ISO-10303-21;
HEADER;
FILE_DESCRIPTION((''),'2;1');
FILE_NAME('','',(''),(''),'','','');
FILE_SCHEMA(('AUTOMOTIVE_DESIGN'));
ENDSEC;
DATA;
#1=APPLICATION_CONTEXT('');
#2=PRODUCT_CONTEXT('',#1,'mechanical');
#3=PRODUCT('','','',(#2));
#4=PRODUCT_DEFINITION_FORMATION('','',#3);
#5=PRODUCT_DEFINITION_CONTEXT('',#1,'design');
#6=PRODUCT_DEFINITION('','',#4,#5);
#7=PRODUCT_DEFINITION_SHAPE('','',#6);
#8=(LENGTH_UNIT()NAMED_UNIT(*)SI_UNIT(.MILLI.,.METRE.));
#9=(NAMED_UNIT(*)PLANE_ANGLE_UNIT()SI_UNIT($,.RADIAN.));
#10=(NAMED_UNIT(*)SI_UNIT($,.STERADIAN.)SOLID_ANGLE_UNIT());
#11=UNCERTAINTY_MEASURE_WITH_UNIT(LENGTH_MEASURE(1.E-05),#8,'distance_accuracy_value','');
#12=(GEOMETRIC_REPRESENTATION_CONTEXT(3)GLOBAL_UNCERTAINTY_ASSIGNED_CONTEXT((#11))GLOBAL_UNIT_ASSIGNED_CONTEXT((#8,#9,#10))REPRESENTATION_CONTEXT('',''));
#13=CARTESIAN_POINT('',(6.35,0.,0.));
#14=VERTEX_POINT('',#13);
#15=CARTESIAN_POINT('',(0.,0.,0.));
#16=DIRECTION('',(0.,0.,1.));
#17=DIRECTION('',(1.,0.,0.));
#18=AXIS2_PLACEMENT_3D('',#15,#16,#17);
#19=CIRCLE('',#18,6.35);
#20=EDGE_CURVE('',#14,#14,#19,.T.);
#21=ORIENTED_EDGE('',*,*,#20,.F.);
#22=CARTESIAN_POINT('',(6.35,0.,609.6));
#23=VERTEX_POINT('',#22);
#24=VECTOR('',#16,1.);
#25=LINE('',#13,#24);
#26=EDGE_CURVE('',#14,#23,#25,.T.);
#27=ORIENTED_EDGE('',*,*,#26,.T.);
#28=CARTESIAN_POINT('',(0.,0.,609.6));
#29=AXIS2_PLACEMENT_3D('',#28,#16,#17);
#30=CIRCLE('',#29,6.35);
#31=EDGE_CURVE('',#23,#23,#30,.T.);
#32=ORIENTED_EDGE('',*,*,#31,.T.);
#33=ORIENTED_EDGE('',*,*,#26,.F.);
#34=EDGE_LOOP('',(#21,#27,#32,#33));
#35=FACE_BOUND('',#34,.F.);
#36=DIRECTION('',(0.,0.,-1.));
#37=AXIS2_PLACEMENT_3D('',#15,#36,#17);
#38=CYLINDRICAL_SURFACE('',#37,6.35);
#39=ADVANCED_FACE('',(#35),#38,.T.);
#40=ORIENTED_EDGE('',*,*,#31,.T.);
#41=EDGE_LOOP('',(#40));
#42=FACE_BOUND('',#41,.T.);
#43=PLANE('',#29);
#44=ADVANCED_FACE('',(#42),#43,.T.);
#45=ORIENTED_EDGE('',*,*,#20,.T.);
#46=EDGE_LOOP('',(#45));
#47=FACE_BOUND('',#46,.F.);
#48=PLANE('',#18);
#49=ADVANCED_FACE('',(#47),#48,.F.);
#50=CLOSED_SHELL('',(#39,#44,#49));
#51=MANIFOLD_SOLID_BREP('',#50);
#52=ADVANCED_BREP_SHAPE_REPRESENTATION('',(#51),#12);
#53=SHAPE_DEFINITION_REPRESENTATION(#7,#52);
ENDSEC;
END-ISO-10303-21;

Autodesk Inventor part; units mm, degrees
ref_plane "YZ Plane" through (0, 0, 0) normal (1, 0, 0) x (0, 1, 0)
ref_plane "XZ Plane" through (0, 0, 0) normal (0, 1, 0) x (-1, 0, 0)
ref_plane "XY Plane" through (0, 0, 0) normal (0, 0, 1) x (1, 0, 0)
sketch "Sketch1" plane through (0, 0, 0) normal (0, 0, 1) x (1, 0, 0)
  circle A0 centre (0, 0) radius 6.35
  dimension "d0" = 12.7
extrude "Extrusion1" add sketch "Sketch1" along normal blind 609.6
properties part number "Steel Rod"
